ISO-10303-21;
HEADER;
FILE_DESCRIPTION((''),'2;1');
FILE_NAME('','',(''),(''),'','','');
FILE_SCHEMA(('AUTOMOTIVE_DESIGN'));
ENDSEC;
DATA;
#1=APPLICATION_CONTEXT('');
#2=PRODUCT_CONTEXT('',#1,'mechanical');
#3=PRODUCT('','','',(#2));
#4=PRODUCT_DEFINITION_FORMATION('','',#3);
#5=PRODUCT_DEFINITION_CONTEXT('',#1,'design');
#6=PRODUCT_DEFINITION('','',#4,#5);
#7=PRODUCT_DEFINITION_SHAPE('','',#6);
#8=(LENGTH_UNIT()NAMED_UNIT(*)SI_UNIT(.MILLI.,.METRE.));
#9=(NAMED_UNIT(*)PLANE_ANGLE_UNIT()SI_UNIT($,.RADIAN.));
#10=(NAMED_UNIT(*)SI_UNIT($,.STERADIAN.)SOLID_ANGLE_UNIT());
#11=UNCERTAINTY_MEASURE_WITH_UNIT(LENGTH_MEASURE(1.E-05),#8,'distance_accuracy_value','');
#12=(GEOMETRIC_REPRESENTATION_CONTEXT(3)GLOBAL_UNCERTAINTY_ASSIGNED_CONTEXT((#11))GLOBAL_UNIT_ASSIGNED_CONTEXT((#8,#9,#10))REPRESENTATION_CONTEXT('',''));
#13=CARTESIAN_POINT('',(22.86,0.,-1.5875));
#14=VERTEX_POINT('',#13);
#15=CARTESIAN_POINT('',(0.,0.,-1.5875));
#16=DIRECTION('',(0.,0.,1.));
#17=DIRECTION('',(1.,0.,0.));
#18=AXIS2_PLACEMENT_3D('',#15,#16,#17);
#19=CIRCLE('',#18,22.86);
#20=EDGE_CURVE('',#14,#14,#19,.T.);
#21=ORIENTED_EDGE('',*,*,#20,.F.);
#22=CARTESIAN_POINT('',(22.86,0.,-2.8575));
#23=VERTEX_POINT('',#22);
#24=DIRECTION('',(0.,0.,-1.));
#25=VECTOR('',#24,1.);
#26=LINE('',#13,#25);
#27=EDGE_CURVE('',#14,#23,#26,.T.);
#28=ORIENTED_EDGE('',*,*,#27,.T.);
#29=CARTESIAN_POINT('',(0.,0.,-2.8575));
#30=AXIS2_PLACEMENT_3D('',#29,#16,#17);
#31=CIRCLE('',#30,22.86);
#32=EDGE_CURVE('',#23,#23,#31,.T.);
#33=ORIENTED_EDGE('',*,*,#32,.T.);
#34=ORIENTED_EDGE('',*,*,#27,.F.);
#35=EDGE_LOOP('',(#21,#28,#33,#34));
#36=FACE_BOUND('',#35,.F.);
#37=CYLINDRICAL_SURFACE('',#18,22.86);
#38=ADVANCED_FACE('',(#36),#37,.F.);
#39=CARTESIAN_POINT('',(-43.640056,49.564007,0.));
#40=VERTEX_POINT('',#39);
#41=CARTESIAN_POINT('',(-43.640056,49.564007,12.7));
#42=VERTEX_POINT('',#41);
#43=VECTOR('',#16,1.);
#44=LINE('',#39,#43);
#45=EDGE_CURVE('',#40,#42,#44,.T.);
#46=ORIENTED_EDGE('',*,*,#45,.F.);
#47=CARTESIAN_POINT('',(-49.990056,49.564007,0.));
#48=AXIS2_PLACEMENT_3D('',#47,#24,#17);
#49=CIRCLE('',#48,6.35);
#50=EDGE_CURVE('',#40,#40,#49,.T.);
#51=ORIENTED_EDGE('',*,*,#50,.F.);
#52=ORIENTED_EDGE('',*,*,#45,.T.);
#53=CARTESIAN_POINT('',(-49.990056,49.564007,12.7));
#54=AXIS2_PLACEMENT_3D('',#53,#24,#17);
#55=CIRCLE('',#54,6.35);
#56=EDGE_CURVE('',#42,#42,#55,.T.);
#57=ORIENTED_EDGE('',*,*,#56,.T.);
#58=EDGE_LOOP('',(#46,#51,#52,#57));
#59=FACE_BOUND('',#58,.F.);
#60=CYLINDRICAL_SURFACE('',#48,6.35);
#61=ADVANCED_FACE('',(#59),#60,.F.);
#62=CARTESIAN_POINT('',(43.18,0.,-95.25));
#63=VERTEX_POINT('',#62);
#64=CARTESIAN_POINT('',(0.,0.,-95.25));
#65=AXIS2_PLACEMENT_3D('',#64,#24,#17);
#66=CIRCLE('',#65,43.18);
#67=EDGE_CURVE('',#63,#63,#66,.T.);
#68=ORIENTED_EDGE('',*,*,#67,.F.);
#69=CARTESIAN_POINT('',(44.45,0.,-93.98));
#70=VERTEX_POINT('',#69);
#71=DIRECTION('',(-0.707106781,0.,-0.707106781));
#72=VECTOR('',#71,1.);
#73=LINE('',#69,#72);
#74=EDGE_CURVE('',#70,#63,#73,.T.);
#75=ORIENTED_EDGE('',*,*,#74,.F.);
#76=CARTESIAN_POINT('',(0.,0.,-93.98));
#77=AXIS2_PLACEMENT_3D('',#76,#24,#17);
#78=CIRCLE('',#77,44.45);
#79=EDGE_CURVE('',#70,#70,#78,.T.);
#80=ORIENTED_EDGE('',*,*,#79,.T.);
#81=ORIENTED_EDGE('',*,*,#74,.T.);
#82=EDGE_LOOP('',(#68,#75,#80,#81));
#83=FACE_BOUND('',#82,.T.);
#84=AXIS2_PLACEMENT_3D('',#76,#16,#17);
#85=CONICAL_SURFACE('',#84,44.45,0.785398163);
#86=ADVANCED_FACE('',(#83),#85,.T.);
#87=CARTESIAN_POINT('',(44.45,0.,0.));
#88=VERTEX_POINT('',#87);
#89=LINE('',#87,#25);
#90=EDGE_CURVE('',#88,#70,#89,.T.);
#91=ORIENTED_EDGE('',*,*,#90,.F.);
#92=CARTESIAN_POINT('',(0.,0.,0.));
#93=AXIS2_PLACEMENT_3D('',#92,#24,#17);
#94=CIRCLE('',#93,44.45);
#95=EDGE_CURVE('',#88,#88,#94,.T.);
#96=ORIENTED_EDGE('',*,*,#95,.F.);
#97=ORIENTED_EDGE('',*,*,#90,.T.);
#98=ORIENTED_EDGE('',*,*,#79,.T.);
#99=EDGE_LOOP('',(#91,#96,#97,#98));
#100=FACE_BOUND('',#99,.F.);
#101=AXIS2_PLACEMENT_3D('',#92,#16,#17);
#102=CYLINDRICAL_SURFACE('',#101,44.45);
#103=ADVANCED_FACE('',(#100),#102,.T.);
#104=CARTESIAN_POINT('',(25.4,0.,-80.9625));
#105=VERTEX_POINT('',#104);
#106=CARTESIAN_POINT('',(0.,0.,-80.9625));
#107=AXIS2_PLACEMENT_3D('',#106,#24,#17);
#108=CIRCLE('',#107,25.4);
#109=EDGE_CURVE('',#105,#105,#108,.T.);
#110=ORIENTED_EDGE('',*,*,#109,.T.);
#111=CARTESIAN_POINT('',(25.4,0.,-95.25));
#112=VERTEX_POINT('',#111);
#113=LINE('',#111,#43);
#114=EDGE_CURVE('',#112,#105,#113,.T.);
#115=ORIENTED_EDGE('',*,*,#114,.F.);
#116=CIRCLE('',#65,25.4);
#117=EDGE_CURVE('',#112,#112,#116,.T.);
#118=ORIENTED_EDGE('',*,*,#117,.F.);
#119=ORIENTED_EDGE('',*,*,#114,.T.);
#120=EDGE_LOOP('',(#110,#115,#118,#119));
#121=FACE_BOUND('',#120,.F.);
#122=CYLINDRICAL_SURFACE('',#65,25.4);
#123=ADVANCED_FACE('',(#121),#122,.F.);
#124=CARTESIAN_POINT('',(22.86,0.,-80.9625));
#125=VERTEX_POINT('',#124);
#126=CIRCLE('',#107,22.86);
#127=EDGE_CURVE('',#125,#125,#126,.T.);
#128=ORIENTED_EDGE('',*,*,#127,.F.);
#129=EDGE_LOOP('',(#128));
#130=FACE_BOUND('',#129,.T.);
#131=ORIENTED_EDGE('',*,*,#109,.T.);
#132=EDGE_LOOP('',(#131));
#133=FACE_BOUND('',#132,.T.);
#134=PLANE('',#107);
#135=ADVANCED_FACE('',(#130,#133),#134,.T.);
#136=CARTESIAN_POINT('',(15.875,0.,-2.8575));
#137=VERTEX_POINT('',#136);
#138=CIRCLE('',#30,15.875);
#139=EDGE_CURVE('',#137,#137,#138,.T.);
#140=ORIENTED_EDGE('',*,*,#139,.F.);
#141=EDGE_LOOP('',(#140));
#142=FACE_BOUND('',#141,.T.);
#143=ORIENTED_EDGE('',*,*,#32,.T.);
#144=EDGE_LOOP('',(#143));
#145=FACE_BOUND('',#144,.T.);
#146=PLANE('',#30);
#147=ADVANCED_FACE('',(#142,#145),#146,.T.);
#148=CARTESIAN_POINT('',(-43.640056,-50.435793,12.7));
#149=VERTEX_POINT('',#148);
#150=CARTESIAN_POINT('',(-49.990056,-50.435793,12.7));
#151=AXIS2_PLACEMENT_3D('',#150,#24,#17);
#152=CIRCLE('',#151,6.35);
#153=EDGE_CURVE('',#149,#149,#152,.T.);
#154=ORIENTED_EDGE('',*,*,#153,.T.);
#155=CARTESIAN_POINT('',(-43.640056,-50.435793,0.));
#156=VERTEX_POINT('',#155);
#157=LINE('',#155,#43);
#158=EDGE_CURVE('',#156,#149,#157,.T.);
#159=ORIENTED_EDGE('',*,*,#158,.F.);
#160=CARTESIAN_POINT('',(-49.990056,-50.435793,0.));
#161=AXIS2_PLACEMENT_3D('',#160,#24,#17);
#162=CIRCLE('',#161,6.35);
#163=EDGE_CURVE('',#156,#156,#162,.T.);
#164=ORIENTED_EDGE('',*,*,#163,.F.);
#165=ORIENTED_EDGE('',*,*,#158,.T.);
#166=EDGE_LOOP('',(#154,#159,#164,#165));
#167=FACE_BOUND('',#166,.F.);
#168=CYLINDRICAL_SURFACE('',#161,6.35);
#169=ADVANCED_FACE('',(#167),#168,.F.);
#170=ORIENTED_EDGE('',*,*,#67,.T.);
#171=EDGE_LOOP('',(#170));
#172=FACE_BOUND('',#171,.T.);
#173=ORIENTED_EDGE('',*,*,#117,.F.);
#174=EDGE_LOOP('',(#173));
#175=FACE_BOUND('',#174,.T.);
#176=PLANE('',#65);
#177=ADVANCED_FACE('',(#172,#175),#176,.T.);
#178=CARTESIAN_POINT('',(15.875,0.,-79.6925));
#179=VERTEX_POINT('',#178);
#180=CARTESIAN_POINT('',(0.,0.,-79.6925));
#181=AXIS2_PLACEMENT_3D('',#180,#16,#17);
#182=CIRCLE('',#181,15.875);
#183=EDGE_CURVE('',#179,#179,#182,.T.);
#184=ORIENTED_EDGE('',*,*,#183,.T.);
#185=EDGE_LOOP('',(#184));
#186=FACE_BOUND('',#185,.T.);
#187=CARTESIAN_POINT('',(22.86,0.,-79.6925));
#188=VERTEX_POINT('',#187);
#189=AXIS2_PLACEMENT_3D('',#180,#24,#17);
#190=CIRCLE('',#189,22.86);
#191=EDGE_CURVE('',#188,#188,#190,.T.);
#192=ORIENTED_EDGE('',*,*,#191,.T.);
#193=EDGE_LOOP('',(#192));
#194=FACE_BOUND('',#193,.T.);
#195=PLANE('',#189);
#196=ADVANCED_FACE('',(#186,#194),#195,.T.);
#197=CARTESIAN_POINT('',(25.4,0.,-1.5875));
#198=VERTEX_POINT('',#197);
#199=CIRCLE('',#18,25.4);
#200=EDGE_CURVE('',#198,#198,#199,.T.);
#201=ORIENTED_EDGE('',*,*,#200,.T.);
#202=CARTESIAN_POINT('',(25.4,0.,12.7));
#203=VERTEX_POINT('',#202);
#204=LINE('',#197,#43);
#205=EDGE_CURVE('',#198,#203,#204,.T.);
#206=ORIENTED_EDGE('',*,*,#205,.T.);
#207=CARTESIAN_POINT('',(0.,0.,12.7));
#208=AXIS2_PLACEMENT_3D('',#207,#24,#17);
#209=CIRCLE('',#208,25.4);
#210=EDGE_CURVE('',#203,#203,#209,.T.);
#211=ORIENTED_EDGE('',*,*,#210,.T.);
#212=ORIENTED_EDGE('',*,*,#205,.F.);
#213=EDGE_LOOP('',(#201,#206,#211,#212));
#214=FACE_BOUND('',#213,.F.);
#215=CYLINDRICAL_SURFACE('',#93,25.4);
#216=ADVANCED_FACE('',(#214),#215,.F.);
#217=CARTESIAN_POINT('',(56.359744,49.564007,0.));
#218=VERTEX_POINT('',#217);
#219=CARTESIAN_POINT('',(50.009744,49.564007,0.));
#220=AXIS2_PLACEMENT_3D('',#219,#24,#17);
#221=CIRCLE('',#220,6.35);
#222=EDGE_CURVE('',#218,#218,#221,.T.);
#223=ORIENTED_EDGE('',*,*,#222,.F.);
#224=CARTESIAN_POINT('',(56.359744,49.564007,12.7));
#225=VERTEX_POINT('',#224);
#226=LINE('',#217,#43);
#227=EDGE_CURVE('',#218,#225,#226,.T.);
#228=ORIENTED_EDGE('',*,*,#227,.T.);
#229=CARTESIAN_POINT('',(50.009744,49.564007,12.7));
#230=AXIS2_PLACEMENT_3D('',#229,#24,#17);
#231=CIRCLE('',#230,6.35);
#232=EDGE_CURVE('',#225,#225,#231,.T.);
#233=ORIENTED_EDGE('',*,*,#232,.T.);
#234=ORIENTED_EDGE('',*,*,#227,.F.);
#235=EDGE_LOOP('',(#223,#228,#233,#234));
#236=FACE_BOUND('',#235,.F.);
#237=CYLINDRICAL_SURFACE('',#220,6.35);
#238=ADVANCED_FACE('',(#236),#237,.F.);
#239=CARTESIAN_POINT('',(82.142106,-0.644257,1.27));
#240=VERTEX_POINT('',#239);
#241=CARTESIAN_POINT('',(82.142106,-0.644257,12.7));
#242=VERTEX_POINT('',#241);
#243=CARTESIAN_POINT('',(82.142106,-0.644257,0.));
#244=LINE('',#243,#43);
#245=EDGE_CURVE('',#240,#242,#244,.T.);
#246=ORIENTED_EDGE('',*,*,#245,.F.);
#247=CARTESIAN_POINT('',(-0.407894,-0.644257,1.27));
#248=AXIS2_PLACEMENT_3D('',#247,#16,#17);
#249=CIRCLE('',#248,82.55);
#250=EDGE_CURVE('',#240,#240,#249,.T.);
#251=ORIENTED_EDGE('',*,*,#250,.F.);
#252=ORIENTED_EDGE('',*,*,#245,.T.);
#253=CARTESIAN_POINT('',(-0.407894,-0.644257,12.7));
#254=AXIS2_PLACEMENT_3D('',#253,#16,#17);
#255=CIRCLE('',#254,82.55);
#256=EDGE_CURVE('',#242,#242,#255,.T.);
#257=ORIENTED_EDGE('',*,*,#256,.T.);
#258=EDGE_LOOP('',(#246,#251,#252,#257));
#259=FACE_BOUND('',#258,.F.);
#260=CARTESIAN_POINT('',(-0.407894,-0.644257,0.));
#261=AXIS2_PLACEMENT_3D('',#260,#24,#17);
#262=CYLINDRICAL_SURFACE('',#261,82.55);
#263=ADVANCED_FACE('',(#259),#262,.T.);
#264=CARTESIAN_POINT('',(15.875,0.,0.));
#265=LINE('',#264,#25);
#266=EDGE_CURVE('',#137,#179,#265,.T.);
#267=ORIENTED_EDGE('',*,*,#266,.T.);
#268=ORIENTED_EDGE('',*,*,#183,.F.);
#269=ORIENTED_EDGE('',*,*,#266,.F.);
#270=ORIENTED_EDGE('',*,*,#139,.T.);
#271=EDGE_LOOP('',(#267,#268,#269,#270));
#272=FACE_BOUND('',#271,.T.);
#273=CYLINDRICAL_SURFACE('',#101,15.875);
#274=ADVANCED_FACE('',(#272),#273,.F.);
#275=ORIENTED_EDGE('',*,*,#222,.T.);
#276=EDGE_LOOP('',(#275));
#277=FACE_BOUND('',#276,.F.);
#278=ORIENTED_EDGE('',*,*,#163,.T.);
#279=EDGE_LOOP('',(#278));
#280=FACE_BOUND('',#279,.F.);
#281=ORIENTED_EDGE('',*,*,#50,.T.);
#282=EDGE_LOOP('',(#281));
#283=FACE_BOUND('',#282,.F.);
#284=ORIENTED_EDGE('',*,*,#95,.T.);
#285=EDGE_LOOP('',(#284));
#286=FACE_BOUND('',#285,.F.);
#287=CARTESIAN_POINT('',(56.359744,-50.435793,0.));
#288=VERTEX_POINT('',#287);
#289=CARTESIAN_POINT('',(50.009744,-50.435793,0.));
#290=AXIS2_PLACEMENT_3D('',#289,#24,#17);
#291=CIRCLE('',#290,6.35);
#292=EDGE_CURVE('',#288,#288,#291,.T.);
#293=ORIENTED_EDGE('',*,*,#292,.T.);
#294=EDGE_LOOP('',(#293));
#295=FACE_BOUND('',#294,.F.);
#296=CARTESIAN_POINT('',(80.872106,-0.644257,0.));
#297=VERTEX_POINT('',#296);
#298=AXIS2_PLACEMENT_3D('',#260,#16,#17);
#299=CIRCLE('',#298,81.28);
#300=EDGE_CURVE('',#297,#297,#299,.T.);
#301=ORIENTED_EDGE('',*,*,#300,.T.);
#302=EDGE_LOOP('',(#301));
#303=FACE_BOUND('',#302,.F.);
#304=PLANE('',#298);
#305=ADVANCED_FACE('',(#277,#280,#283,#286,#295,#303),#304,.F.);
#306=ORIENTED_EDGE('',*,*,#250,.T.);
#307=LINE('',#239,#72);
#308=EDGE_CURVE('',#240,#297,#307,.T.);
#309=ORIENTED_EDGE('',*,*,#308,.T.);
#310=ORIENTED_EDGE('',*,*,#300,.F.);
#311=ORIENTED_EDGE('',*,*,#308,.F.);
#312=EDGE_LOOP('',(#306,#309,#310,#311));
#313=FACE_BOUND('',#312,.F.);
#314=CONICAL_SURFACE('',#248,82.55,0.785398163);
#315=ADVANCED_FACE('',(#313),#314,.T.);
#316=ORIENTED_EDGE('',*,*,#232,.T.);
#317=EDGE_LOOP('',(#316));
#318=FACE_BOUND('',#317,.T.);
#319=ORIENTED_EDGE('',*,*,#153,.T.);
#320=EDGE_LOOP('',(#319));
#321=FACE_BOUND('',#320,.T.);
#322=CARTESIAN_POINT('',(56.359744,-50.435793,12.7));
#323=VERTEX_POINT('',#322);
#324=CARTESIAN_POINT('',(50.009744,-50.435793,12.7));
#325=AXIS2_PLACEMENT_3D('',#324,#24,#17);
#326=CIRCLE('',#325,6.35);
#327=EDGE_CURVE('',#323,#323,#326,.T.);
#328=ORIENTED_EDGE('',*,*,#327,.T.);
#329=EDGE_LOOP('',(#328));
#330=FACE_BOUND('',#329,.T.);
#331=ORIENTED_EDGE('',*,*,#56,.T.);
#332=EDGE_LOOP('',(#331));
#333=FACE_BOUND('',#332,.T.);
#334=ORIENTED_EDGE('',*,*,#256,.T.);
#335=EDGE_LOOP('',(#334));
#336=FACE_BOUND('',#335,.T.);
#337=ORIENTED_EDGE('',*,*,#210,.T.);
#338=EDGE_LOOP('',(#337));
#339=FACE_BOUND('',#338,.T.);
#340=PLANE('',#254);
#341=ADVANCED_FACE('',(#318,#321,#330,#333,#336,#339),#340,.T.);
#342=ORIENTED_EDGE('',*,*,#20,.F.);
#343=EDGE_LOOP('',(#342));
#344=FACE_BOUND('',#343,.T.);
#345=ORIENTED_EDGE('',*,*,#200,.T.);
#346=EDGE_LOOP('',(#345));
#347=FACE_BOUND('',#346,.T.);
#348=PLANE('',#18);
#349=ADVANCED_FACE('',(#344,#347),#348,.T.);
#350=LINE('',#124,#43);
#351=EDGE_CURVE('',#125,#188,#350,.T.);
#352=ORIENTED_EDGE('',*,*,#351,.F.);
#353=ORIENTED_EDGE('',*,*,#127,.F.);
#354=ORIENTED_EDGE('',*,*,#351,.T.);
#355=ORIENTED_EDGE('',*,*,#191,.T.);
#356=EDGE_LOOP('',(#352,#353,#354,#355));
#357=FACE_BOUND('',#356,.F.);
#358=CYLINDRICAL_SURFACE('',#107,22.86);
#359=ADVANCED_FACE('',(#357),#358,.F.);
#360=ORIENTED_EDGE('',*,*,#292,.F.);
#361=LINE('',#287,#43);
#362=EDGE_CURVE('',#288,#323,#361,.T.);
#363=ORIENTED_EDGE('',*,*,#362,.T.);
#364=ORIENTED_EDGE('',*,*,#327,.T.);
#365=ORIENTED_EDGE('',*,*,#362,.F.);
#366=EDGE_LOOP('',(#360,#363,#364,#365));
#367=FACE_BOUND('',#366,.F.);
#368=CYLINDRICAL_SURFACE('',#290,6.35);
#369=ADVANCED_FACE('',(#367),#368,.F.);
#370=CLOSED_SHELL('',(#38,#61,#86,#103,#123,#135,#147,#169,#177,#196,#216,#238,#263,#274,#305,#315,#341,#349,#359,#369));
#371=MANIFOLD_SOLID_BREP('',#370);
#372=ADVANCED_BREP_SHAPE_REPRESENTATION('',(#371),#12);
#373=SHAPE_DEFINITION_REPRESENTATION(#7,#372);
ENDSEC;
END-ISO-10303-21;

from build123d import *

# Parameters (mm, degrees)
F0_R      = 82.55
F1_DEPTH  = 12.7
F2_R      = 44.45
F4_DEPTH  = 95.25
F3_R      = 6.35
F5_DEPTH  = 25.4
F6_R      = 15.875
F7_DEPTH  = 127
F8_R      = 25.4
F8_R_2    = 15.875
F9_DEPTH  = 14.2875
F10_R     = 15.875
F11_DEPTH = 107.951
F12_R     = 25.4
F13_DEPTH = 1.5875
F14_R     = 25.4
F14_R_2   = 15.875
F15_DEPTH = 14.2875
F16_R     = 22.86
F17_DEPTH = 1.27
F18_R     = 22.86
F19_DEPTH = 1.27
F20_SIZE  = 1.27
F21_SIZE  = 1.27


with BuildPart() as f1:
    # F0 (on Top) → F1 (new body)
    with BuildSketch(Plane.XY):
        with Locations((-0.4078939673, -0.6442572922)):
            Circle(F0_R)
    extrude(amount=F1_DEPTH)

    # F2 (on face) → F4 (join)
    with BuildSketch(Plane(origin=(0, 0, 0), x_dir=(1, 0, 0), z_dir=(0, 0, -1))):
        Circle(F2_R)
    extrude(amount=F4_DEPTH)

    # F3 (on face) → F5 (cut)
    with BuildSketch(Plane(origin=(0, 0, 0), x_dir=(1, 0, 0), z_dir=(0, 0, -1))):
        with Locations((-49.9900558808, 50.4357930472)):
            Circle(F3_R)
        with Locations((50.0097441192, -49.5640069528)):
            Circle(F3_R)
        with Locations((50.0097441192, 50.4357930472)):
            Circle(F3_R)
        with Locations((-49.9900558808, -49.5640069528)):
            Circle(F3_R)
    extrude(amount=-F5_DEPTH, mode=Mode.SUBTRACT)

    # F6 (on face) → F7 (cut)
    with BuildSketch(Plane(origin=(0, 0, 0), x_dir=(1, 0, 0), z_dir=(0, 0, -1))):
        Circle(F6_R)
    extrude(amount=F7_DEPTH, mode=Mode.SUBTRACT)

    # F8 (on face) → F9 (cut)
    with BuildSketch(Plane(origin=(0, 0, 0), x_dir=(1, 0, 0), z_dir=(0, 0, -1))):
        Circle(F8_R)
        Circle(F8_R_2, mode=Mode.SUBTRACT)
    extrude(amount=-F9_DEPTH, mode=Mode.SUBTRACT)

    # F10 (on face) → F11 (cut, through all)
    with BuildSketch(Plane(origin=(0, 0, -95.25), x_dir=(1, 0, 0), z_dir=(0, 0, -1))):
        Circle(F10_R)
    extrude(amount=-F11_DEPTH, mode=Mode.SUBTRACT)

    # F12 (on face) → F13 (cut)
    with BuildSketch(Plane.XY):
        Circle(F12_R)
    extrude(amount=-F13_DEPTH, mode=Mode.SUBTRACT)

    # F14 (on face) → F15 (cut)
    with BuildSketch(Plane(origin=(0, 0, -95.25), x_dir=(1, 0, 0), z_dir=(0, 0, -1))):
        Circle(F14_R)
        Circle(F14_R_2, mode=Mode.SUBTRACT)
    extrude(amount=-F15_DEPTH, mode=Mode.SUBTRACT)

    # F16 (on face) → F17 (cut)
    with BuildSketch(Plane(origin=(0, 0, -80.9625), x_dir=(1, 0, 0), z_dir=(0, 0, -1))):
        Circle(F16_R)
    extrude(amount=-F17_DEPTH, mode=Mode.SUBTRACT)

    # F18 (on face) → F19 (cut)
    with BuildSketch(Plane.XY.offset(-1.5875)):
        Circle(F18_R)
    extrude(amount=-F19_DEPTH, mode=Mode.SUBTRACT)

    # F20
    f20_edges = [f1.edges().sort_by_distance(p)[0] for p in [
        (-82.957894, -0.644257, 0),
    ]]
    chamfer(f20_edges, length=F20_SIZE)

    # F21
    f21_edges = [f1.edges().sort_by_distance(p)[0] for p in [
        (-44.45, 0, -95.25),
    ]]
    chamfer(f21_edges, length=F21_SIZE)


solid = f1.part
